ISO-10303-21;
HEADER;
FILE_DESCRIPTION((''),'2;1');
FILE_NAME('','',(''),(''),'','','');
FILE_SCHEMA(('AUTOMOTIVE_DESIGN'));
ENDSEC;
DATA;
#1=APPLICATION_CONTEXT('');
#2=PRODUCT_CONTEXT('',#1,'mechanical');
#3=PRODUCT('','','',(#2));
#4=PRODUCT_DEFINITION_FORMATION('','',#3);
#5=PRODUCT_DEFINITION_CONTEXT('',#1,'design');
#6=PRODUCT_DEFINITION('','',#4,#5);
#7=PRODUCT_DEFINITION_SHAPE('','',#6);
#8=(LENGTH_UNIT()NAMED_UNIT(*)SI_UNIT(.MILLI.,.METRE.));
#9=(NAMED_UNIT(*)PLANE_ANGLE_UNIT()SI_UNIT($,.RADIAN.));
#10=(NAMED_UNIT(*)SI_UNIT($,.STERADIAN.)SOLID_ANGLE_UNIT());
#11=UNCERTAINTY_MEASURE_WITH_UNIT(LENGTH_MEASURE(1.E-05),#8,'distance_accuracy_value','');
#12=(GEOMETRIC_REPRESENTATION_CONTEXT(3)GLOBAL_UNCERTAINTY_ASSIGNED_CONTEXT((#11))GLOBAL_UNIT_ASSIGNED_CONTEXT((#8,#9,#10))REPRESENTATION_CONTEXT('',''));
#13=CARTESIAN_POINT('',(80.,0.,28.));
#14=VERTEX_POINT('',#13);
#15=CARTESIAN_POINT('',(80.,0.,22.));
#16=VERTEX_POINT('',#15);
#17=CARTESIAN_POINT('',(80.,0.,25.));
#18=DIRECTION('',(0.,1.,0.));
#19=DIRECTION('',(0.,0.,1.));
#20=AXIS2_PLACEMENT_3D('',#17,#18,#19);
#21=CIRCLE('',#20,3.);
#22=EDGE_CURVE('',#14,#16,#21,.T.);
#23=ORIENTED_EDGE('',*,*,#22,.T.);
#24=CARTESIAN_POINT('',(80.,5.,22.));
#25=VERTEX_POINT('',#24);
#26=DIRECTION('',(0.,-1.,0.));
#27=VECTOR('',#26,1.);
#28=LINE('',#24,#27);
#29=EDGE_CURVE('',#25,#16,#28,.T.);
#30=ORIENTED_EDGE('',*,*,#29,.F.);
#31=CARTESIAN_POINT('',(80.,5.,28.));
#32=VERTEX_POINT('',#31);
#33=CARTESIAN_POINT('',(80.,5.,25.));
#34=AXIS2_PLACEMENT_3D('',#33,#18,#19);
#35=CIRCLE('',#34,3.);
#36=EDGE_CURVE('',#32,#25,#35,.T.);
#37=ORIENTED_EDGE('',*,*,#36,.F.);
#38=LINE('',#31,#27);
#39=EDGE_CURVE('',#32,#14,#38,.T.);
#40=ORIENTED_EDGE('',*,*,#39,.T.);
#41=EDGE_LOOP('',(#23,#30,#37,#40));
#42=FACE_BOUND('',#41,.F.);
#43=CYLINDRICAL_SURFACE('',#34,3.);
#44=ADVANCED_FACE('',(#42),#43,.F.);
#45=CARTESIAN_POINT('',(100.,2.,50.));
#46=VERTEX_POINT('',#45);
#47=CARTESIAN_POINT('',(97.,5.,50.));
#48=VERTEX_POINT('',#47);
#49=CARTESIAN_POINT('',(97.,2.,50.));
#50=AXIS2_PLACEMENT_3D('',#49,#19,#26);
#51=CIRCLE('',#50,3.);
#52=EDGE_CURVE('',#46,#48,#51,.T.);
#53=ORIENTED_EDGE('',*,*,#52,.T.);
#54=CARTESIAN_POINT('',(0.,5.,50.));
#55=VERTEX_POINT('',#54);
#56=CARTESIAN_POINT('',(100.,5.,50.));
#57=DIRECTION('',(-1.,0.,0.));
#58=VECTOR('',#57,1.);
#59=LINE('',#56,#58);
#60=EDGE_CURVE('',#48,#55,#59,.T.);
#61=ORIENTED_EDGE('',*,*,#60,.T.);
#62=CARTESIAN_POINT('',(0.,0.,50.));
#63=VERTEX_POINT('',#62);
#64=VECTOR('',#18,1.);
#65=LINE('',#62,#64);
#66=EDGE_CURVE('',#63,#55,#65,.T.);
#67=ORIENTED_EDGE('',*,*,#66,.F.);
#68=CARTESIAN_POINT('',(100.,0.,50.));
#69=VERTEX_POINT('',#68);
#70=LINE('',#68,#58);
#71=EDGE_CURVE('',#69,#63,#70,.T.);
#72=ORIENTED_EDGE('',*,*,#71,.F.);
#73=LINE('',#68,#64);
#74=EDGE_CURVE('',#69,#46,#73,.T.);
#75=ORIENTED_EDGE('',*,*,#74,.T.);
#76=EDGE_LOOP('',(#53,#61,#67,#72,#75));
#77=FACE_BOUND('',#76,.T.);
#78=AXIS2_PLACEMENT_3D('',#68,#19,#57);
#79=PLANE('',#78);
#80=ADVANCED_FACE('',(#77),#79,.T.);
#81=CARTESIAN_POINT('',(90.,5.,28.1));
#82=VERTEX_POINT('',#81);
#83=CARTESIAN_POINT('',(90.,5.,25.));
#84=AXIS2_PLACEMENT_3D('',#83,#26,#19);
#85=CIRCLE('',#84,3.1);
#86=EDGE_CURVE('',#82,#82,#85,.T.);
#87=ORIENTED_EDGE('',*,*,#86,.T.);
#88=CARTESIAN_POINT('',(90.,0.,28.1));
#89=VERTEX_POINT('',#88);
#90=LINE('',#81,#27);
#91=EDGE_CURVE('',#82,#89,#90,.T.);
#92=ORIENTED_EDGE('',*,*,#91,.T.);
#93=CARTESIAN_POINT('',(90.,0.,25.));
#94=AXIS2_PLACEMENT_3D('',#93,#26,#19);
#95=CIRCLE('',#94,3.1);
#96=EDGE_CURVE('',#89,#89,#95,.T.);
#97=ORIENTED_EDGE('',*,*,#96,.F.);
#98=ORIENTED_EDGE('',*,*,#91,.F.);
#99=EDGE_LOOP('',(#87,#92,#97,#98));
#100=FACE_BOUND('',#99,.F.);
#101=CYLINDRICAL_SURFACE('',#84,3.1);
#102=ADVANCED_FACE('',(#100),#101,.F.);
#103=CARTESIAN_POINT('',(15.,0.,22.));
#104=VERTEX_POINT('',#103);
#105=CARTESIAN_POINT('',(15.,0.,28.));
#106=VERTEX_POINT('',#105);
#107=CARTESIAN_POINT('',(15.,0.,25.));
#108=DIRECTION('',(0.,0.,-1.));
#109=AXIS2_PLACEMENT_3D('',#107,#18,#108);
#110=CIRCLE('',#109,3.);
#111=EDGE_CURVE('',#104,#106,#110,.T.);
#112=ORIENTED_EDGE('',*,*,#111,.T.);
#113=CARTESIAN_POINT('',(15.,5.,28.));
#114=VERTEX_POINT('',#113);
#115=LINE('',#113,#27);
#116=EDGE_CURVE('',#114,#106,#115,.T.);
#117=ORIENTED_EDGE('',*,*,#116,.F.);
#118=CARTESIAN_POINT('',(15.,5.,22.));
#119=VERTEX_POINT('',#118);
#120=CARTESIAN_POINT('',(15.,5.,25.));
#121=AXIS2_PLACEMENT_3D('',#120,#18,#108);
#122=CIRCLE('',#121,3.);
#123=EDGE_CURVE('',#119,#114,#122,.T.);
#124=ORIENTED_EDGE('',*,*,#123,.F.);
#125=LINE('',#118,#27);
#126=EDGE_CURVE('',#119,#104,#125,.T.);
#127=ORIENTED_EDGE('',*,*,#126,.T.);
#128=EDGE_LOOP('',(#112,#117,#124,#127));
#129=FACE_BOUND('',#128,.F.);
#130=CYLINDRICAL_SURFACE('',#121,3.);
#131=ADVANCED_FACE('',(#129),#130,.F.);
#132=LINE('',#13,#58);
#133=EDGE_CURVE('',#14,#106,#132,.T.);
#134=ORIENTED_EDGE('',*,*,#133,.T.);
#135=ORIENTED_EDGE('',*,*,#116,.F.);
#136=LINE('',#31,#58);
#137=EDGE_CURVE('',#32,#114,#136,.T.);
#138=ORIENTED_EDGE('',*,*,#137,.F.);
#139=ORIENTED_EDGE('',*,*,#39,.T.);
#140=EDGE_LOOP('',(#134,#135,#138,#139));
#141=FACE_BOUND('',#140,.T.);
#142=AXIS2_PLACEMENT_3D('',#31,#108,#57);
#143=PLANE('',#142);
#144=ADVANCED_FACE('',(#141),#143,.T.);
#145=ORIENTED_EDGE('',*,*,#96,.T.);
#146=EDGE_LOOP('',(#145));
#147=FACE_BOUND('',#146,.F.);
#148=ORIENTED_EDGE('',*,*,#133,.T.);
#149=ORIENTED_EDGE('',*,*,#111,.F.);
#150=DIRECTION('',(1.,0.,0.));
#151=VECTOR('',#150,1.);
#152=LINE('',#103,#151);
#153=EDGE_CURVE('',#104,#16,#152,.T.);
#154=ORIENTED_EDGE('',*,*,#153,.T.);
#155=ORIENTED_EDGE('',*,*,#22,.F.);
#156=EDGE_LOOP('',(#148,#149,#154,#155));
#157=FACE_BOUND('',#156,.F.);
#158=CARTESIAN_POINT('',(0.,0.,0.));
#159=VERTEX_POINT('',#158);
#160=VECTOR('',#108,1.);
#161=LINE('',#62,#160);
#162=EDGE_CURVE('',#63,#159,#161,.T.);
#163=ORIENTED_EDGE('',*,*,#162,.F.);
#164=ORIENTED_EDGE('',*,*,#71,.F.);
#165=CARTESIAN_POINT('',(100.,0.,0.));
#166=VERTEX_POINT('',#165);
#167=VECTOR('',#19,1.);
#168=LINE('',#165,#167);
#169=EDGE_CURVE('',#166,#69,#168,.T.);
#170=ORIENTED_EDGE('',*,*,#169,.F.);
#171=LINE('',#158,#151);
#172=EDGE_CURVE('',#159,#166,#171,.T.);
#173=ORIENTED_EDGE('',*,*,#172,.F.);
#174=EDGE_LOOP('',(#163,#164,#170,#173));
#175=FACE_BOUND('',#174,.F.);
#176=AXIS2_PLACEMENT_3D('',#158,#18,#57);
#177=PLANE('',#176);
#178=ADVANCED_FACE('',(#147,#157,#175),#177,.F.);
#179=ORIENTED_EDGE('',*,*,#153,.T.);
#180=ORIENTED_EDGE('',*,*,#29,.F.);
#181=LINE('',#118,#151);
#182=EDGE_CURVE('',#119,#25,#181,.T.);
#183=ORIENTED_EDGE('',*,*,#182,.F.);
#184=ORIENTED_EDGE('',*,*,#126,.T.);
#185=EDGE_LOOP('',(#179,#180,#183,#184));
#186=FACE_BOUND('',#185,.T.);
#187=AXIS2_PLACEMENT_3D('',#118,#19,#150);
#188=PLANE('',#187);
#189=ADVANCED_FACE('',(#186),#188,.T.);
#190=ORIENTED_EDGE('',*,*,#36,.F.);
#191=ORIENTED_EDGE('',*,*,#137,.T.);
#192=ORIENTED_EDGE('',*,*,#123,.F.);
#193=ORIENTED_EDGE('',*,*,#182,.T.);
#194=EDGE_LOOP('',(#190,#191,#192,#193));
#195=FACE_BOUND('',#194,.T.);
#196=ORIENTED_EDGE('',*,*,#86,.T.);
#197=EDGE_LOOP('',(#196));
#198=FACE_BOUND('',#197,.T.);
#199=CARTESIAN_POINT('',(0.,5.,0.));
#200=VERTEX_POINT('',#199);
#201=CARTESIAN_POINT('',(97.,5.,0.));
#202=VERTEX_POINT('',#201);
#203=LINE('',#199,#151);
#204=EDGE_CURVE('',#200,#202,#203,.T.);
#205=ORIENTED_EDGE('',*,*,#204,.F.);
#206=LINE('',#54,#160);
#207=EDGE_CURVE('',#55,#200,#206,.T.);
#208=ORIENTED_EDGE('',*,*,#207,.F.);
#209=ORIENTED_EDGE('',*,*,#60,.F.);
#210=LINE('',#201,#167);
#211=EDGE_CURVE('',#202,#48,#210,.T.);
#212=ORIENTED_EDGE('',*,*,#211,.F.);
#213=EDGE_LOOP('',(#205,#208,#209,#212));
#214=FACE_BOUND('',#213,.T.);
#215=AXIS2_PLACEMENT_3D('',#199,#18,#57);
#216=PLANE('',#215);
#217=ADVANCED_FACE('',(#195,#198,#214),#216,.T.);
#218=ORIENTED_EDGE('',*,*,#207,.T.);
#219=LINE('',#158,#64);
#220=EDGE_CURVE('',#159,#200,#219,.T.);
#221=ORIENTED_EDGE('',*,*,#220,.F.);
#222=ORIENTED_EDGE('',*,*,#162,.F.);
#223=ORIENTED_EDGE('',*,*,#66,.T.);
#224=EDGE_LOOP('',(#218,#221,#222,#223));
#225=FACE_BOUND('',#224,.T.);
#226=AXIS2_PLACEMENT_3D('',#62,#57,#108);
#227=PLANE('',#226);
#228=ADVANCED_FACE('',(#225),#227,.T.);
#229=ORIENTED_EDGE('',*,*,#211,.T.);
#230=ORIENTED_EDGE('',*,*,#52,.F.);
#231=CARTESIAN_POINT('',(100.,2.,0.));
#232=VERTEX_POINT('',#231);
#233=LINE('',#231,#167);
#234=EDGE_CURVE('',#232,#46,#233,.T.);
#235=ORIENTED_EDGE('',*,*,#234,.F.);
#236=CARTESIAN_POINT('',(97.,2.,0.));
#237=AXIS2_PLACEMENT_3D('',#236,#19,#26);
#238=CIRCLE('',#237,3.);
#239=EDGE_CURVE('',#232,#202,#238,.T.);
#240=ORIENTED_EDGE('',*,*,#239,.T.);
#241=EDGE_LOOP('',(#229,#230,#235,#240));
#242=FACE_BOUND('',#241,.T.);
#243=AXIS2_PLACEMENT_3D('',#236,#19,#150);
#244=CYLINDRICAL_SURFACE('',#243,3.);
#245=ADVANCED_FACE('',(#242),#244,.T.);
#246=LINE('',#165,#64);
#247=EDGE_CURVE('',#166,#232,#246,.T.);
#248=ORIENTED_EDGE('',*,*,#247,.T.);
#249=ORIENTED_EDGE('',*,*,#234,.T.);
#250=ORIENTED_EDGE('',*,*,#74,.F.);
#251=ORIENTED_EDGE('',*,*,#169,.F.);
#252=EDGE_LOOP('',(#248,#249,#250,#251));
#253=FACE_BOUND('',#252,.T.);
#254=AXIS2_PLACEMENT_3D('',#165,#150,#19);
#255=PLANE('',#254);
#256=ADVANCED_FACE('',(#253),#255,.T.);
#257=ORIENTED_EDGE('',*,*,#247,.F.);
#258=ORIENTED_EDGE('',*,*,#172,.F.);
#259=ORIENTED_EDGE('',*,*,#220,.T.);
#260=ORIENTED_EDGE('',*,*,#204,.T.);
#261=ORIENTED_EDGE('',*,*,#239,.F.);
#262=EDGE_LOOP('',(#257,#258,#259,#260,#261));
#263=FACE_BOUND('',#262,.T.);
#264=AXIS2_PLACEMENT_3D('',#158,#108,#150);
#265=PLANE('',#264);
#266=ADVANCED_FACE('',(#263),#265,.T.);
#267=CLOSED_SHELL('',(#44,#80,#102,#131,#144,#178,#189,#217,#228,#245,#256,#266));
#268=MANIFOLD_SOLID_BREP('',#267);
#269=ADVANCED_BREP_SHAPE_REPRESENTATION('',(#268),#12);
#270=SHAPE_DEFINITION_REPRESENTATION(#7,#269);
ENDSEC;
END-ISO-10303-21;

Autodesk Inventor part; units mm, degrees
ref_plane "YZ Plane" through (0, 0, 0) normal (1, 0, 0) x (0, 1, 0)
sketch "Sketch1" plane through (0, 0, 0) normal (0, 1, 0) x (-1, 0, 0)
  line L0 (0, 0) -> (-100, 0)
  line L1 (-100, 0) -> (-100, 50)
  line L2 (-100, 50) -> (0, 50)
  line L3 (0, 50) -> (0, 0)
  point P0 (-50, 0)
  point P1 (-90, 25)
  dimension "d0" = 100
  dimension "d1" = 50
  dimension "d24" = 10
  dimension "d25" = 25
extrude "Extrusion1" add sketch "Sketch1" along normal blind 5
sketch "Sketch2" plane through (0, 5, 0) normal (0, 1, 0) x (1, 0, 0)
  line L0 (0, -50) -> (100, -50) construction
  line L1 (100, -50) -> (100, 0) construction
  line L2 (100, 0) -> (0, 0) construction
  line L3 (0, 0) -> (0, -50) construction
  line L4 (80, -25) -> (15, -25) construction
  arc A0 (80, -28) -> (80, -22) centre (80, -25) ccw
  arc A1 (15, -22) -> (15, -28) centre (15, -25) ccw
  line L5 (15, -22) -> (80, -22)
  line L6 (80, -28) -> (15, -28)
  point P0 (50, -50)
  dimension "d7" = 65
  dimension "d8" = 25
  dimension "d9" = 15
  dimension "d10" = 6
  dimension "dia" = 6
extrude "Extrusion2" cut sketch "Sketch2" against normal blind 5
sketch "Sketch5" plane through (0, 5, 0) normal (0, 1, 0) x (1, 0, 0)
  line L0 (0, -50) -> (100, -50) projected
  line L1 (100, -50) -> (100, 0) projected
  point P0 (0, 0)
  point P1 (90, -25)
  dimension "d33" = 25
  dimension "d34" = 10
hole "Hole1" at (90, 5, 25) direction (0, -1, 0) diameter 6.2 end through all
thread "Thread1" size "M6x1" class "6H" standard "ANSI Metric M Profile" full length
ref_plane "Work Plane1" through (100, 5, 5) normal (0, 0, -1) x (-1, 0, 0)
ref_plane "Work Plane2" through (0, 5, 45) normal (0, 0, 1) x (1, 0, 0)
fillet "Fillet1" radius 3 1 edges at (100, 5, 25)
equation "\"d10\" = dia"
properties part number "Horonyrogzito"
